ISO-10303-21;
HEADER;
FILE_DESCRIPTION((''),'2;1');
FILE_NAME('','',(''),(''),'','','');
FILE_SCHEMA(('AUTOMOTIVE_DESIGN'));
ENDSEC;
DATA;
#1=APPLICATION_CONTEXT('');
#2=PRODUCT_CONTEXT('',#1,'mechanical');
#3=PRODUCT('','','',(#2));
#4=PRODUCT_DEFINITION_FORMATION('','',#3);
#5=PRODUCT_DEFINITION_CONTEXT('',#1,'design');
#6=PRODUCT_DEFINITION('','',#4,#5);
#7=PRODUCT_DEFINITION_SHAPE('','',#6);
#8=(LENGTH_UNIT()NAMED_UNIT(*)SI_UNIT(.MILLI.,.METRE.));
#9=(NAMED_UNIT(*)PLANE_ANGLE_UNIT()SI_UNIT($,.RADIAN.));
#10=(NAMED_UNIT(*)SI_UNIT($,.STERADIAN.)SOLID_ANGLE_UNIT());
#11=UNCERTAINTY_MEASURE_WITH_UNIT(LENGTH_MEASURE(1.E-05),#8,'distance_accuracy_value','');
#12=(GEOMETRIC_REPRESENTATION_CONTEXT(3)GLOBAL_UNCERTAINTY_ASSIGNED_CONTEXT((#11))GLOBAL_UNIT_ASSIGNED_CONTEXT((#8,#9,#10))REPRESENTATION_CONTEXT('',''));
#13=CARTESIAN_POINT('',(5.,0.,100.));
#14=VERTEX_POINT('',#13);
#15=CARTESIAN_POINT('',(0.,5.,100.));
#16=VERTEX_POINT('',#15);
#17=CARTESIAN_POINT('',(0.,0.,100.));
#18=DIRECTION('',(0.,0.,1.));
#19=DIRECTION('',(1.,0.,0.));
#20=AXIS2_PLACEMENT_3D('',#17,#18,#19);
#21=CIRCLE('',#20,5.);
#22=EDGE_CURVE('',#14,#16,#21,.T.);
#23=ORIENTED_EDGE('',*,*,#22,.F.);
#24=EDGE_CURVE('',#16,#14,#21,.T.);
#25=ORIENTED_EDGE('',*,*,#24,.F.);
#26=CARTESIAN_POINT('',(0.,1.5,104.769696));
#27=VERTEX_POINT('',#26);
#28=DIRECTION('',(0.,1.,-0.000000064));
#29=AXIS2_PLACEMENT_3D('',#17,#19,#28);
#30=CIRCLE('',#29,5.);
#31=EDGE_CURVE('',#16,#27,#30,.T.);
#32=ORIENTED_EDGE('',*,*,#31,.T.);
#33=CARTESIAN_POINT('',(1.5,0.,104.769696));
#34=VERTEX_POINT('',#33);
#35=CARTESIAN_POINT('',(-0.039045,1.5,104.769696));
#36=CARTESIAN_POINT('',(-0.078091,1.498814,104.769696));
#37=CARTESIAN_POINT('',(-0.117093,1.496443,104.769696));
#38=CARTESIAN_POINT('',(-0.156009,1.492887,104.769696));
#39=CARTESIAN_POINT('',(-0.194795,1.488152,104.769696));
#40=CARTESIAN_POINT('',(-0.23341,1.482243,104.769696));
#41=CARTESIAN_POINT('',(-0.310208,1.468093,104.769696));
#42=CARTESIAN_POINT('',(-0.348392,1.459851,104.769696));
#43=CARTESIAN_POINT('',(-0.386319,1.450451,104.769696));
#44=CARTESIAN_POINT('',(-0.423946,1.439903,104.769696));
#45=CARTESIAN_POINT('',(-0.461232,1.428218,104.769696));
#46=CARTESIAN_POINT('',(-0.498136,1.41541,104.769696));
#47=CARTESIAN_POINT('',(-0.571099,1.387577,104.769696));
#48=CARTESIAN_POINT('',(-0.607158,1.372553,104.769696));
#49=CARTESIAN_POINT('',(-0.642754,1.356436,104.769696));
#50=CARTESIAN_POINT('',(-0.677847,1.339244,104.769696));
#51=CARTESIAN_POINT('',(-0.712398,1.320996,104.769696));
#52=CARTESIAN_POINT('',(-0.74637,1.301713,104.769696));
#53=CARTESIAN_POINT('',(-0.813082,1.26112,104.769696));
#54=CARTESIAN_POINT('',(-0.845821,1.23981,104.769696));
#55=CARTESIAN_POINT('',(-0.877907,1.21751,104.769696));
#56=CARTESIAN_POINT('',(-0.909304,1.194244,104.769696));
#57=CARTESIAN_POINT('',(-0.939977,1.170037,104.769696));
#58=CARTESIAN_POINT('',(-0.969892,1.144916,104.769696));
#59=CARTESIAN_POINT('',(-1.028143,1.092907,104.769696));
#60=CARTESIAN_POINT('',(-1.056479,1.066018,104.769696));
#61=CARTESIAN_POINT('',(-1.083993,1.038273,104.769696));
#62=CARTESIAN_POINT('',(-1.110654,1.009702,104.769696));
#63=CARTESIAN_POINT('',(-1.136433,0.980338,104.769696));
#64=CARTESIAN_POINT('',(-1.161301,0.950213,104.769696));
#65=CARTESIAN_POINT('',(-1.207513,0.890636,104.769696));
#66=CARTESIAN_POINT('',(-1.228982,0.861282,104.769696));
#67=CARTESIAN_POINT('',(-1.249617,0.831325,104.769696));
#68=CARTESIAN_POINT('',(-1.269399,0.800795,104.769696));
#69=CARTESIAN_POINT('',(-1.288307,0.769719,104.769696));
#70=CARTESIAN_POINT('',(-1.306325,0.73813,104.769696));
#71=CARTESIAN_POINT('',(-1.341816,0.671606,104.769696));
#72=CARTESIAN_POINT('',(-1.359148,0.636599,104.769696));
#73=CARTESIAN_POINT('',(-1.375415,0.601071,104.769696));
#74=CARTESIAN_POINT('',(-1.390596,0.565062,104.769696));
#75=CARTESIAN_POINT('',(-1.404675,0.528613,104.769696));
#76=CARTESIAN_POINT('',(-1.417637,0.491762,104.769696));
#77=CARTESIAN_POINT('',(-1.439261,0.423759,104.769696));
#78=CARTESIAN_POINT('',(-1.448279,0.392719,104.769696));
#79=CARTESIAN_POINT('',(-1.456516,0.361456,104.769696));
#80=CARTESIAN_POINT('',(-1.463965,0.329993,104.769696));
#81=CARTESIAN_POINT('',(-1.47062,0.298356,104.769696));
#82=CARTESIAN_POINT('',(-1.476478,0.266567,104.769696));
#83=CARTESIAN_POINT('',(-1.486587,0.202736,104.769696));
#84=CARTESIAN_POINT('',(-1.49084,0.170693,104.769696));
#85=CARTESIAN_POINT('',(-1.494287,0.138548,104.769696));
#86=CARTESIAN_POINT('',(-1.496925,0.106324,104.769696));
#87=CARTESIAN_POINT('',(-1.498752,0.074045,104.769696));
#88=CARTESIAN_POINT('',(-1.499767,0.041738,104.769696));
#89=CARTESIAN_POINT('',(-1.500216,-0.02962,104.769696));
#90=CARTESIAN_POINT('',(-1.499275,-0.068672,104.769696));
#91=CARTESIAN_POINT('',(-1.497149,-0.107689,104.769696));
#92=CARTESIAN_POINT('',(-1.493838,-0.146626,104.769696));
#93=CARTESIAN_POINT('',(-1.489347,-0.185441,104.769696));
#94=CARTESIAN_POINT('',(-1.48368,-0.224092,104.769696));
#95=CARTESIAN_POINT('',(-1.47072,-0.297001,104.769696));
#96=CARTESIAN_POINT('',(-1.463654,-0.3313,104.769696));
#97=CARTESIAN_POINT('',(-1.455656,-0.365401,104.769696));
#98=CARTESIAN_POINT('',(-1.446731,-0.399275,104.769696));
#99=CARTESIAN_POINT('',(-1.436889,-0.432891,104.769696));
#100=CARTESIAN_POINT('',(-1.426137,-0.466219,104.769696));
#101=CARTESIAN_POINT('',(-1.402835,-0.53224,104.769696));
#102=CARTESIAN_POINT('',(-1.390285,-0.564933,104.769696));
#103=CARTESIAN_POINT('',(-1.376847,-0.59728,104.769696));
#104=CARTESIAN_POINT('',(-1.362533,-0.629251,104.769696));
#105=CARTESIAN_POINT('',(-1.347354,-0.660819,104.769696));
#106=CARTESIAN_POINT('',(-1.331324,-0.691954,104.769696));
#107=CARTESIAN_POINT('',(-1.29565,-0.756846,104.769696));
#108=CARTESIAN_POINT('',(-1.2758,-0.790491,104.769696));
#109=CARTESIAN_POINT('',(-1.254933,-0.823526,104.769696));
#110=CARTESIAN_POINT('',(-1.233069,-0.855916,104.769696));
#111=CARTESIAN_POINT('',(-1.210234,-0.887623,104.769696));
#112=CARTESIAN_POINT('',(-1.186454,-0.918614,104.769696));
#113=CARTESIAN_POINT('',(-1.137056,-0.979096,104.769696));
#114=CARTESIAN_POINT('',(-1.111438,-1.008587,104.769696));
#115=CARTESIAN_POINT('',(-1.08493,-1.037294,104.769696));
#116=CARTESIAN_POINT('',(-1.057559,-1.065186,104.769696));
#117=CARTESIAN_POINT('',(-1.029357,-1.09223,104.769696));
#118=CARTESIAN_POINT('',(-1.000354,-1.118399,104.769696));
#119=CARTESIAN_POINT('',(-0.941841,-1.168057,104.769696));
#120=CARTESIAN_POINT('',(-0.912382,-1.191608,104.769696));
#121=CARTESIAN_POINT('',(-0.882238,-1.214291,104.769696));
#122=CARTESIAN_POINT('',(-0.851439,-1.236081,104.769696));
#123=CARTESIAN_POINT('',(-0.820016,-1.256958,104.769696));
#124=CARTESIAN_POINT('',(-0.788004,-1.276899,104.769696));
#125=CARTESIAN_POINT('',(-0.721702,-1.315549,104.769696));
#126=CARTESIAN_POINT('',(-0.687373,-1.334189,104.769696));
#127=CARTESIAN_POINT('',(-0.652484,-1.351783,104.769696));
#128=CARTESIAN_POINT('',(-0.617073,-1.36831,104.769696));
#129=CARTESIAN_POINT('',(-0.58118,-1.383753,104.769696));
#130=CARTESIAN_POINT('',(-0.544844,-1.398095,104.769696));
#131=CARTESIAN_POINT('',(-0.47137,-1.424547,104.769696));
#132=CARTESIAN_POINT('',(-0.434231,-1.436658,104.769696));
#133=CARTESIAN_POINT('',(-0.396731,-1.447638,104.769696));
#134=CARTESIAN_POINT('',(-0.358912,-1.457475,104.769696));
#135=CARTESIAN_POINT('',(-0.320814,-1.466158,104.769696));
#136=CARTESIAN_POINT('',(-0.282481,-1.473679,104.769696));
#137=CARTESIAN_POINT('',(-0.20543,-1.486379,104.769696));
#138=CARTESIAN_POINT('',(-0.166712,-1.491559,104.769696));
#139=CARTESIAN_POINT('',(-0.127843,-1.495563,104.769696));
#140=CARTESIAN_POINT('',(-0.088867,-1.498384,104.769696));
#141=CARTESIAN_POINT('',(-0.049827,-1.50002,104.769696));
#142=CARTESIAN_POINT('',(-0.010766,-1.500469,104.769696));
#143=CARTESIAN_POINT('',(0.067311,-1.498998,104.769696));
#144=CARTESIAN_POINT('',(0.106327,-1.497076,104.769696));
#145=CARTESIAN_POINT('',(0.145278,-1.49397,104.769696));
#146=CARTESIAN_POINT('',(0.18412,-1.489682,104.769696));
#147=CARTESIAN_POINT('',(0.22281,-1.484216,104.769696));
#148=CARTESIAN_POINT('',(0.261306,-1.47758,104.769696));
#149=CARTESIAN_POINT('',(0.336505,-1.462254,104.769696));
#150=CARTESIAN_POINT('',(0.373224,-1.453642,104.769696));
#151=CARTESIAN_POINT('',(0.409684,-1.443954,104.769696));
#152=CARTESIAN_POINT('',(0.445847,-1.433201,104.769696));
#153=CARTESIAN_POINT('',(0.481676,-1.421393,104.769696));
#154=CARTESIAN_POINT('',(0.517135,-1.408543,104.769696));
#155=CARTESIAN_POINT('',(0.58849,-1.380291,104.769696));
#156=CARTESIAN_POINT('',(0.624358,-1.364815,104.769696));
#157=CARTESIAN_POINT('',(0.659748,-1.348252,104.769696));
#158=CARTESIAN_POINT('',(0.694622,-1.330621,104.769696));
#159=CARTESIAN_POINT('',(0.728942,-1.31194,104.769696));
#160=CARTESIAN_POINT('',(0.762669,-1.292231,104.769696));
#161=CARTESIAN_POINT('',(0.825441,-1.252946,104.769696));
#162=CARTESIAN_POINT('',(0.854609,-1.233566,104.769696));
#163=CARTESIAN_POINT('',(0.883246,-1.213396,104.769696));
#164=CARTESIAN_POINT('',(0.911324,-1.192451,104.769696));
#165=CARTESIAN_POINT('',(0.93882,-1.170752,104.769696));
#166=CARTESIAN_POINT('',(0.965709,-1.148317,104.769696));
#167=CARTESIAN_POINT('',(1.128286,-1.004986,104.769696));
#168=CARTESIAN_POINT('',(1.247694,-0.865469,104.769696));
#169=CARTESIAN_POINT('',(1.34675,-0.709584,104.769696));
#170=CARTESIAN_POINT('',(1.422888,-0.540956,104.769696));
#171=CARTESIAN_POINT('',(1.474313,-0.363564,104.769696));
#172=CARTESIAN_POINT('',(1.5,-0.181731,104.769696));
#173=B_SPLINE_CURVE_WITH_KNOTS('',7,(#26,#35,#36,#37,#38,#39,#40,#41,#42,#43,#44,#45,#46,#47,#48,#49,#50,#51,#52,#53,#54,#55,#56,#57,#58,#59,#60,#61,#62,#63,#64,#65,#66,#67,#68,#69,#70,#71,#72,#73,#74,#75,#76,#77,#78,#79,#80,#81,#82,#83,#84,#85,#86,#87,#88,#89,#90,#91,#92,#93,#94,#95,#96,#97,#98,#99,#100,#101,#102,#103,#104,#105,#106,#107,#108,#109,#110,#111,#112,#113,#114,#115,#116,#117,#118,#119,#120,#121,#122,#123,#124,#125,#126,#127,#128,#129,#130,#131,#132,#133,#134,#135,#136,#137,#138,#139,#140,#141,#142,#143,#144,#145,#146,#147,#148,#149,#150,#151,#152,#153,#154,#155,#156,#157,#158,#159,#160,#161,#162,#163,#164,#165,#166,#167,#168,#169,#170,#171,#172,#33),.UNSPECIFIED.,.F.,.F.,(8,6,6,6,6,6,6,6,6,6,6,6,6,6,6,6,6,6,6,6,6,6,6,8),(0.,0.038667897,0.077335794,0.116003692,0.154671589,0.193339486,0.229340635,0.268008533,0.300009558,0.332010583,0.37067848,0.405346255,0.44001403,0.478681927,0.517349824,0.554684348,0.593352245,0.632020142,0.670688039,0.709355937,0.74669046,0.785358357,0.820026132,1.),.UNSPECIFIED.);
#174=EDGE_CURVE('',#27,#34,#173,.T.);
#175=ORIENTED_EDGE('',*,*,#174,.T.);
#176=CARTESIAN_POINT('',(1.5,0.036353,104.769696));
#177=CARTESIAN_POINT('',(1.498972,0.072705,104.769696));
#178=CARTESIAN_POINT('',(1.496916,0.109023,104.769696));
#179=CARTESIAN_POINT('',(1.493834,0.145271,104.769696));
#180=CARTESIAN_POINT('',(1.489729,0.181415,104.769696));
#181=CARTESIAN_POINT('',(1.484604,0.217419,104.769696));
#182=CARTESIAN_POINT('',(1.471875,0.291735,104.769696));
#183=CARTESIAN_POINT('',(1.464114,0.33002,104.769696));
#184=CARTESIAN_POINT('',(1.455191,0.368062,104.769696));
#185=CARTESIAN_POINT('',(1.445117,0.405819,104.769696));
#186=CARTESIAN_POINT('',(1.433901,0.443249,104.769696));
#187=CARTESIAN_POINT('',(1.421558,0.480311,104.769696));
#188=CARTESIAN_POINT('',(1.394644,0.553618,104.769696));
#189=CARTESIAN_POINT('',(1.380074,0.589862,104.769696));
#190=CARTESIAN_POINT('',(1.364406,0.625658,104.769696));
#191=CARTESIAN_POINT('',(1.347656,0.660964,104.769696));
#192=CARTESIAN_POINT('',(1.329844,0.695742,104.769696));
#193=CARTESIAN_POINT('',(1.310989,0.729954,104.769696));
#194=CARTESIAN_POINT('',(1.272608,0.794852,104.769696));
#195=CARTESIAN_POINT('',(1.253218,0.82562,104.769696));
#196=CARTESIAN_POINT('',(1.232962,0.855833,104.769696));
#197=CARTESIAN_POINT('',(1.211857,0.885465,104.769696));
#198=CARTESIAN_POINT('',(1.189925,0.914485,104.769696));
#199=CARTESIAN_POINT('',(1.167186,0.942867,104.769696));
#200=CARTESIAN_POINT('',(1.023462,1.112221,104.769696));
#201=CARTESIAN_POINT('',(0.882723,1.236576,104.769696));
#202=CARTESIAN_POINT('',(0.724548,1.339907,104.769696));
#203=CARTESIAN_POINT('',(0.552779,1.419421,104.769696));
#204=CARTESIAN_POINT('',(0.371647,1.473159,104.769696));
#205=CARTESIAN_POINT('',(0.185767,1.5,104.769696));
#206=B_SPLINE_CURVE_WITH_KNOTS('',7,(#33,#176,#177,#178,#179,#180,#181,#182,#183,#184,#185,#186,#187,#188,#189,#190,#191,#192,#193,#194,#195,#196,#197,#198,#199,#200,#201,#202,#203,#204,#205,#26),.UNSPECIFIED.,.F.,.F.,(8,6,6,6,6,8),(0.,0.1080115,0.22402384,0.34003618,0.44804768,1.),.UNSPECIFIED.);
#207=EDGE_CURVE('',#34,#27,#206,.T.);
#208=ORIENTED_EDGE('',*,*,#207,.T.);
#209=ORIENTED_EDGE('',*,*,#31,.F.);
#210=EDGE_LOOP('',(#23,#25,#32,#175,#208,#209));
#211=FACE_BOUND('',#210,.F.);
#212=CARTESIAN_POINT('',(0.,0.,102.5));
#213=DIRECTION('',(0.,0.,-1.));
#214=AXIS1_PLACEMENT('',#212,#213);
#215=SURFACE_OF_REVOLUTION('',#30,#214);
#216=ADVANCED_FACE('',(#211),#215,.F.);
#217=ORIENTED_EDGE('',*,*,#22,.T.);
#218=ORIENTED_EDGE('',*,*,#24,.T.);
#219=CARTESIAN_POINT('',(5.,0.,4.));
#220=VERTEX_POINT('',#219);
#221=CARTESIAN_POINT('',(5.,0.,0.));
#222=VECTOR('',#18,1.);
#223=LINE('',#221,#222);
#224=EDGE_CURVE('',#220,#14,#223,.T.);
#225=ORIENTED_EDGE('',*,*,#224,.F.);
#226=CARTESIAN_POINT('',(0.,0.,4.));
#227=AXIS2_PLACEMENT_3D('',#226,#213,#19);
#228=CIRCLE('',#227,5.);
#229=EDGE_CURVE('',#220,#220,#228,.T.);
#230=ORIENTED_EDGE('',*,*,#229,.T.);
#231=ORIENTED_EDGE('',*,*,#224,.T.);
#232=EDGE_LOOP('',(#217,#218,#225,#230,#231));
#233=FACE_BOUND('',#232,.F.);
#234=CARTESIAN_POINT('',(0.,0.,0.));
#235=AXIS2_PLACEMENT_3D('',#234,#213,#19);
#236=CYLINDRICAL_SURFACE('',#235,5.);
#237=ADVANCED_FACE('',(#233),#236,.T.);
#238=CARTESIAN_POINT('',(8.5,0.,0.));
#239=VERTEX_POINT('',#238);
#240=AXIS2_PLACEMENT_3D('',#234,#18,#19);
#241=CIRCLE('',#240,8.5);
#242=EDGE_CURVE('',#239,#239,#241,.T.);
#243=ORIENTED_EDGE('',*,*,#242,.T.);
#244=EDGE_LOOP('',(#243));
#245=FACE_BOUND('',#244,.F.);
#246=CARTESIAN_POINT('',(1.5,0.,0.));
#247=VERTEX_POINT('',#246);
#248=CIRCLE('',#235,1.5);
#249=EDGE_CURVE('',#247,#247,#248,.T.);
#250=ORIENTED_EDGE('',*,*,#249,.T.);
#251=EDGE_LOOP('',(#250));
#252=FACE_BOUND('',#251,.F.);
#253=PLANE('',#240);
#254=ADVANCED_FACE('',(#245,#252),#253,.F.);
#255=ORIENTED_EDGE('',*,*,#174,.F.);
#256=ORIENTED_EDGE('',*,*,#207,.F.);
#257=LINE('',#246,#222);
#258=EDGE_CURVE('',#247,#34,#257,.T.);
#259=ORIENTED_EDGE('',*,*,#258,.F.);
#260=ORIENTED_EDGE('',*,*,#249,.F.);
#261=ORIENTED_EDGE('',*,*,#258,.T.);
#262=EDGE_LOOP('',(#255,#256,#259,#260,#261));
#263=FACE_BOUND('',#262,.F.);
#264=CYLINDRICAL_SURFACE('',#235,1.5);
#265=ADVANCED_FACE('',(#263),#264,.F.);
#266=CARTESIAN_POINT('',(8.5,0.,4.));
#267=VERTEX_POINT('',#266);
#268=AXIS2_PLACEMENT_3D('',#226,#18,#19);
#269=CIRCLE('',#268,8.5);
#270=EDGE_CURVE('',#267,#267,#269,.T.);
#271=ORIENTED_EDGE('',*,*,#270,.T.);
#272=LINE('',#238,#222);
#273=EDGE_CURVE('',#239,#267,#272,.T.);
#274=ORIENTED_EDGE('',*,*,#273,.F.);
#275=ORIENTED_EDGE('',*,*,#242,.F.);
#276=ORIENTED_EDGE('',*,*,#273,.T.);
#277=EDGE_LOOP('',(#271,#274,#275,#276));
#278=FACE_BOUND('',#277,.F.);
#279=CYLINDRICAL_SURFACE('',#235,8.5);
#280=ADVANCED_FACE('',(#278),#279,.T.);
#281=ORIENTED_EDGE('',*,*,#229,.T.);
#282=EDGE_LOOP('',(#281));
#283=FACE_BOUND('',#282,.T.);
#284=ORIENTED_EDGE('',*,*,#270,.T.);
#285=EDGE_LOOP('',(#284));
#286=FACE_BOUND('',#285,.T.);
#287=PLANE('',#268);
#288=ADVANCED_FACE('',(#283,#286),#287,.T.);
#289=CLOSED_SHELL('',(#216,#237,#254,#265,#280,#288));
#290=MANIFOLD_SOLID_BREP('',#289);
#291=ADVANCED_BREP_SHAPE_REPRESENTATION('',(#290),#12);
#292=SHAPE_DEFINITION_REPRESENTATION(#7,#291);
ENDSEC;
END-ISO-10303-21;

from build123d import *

# Parameters (mm, degrees)
F0_R     = 8.5
F1_DEPTH = 4
F2_R     = 5
F3_DEPTH = 100
F6_R     = 1.5
F7_DEPTH = 133.7


with BuildPart() as f1:
    # F0 (on Top) → F1 (new body)
    with BuildSketch(Plane.XY):
        Circle(F0_R)
    extrude(amount=F1_DEPTH)

    # F2 (on Top) → F3 (join)
    with BuildSketch(Plane.XY):
        Circle(F2_R)
    extrude(amount=F3_DEPTH)

    # F4 (on Right) → F5 (revolve)
    with BuildSketch(Plane.YZ):
        with BuildLine():
            Line((0, 100), (5, 100))
            ThreePointArc((5, 100), (3.535534, 103.535534), (0, 105))
            Line((0, 105), (0, 100))
        make_face()
    revolve(axis=Axis((0, 0, 102.5), (0, 0, -1)))

    # F6 (on face) → F7 (cut)
    with BuildSketch(Plane(origin=(0, 0, 0), x_dir=(1, 0, 0), z_dir=(0, 0, -1))):
        Circle(F6_R)
    extrude(amount=-F7_DEPTH, mode=Mode.SUBTRACT)


solid = f1.part
